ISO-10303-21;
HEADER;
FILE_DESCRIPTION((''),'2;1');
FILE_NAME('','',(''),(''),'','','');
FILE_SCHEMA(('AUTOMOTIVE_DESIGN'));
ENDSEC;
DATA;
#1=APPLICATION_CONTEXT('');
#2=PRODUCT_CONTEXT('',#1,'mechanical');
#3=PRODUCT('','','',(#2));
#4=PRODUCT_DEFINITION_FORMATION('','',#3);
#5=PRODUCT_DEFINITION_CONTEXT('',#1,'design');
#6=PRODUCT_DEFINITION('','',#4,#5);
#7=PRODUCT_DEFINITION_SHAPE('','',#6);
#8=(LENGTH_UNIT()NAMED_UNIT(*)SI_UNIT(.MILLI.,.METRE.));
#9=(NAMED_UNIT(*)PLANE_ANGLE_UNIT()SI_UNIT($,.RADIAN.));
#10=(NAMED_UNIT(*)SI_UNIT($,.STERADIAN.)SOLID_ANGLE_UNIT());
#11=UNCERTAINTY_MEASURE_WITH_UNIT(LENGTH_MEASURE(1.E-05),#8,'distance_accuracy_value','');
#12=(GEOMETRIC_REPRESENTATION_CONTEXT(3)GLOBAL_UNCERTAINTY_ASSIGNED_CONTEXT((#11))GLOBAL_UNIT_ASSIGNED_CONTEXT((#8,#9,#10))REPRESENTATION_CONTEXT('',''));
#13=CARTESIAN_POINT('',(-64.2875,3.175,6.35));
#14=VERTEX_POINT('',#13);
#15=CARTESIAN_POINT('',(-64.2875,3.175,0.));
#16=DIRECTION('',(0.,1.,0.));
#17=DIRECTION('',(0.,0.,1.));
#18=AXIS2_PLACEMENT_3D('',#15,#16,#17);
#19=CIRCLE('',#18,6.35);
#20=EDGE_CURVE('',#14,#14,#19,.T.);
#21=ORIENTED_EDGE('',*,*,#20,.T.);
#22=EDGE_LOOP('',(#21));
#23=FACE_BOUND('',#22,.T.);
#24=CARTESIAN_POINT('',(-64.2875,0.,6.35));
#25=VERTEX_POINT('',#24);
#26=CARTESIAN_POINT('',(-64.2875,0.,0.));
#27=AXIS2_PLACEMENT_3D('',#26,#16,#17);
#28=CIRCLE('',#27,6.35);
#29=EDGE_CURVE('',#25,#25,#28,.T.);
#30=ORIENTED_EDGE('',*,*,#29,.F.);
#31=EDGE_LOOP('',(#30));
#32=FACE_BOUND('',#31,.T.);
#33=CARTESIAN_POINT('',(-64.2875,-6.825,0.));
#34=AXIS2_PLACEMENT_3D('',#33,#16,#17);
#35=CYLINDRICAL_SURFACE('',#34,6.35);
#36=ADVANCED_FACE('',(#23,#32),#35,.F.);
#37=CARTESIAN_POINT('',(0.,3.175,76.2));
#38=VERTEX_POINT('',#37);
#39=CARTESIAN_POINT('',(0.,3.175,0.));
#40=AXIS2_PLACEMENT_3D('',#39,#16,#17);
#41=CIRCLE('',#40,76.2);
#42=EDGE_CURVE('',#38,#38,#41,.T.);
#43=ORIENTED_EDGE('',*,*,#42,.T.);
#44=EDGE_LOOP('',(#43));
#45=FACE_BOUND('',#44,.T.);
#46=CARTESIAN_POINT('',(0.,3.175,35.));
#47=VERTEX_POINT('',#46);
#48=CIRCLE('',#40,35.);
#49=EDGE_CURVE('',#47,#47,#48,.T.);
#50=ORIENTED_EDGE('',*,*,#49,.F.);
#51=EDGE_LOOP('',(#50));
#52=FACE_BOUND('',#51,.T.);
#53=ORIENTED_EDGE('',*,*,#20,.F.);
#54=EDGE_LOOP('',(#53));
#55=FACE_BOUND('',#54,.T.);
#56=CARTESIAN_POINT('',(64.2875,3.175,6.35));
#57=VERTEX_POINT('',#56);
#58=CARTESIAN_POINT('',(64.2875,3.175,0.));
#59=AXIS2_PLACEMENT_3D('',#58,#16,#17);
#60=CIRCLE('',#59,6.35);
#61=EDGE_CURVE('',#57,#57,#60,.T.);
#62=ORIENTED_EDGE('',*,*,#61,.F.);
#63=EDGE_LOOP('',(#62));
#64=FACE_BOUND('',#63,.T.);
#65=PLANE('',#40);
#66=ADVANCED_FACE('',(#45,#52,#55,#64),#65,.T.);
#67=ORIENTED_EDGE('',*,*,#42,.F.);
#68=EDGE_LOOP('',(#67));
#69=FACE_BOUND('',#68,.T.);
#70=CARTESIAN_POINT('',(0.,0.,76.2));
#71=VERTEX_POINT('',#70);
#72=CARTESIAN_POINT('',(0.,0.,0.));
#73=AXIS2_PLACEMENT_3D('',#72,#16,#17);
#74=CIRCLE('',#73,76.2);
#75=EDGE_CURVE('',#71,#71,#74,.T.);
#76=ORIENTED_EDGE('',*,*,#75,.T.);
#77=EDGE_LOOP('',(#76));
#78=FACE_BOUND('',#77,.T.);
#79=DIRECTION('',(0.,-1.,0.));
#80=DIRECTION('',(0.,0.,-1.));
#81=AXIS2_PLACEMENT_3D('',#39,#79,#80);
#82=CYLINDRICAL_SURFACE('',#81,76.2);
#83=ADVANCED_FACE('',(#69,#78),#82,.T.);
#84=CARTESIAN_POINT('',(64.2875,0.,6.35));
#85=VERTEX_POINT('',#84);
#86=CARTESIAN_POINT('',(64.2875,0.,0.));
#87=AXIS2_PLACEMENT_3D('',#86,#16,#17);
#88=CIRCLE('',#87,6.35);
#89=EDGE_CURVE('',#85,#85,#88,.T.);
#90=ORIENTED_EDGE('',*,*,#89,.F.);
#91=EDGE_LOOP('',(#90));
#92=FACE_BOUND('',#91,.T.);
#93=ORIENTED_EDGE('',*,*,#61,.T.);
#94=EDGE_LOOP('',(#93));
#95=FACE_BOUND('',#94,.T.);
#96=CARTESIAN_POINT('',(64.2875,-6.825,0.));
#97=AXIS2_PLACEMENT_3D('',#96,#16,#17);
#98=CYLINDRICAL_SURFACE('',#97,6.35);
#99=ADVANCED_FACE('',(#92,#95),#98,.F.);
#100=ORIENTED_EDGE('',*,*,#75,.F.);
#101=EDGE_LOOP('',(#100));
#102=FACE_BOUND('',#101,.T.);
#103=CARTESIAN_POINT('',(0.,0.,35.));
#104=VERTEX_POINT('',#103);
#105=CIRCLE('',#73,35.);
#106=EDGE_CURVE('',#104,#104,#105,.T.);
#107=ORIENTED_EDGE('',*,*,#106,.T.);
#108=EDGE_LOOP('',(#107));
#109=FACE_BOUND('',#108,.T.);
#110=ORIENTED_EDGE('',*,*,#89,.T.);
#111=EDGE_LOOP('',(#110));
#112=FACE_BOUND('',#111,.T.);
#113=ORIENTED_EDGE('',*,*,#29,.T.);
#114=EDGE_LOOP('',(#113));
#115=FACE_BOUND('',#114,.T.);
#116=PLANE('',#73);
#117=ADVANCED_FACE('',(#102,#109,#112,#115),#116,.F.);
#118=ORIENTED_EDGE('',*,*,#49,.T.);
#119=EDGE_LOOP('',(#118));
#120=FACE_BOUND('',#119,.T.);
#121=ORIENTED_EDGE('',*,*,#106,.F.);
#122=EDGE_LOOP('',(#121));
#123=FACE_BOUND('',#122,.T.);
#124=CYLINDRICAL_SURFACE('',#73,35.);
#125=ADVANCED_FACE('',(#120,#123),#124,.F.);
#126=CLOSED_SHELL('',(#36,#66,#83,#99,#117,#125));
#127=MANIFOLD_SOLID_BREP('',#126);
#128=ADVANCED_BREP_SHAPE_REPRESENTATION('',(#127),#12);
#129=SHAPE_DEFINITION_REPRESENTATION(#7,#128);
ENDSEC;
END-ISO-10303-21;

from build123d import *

# Parameters (mm, degrees)
SKETCH1_R           = 76.2
BOSS_EXTRUDE1_DEPTH = 3.175
SKETCH2_R           = 35
CUT_EXTRUDE1_DEPTH  = 3.175
SKETCH3_R           = 6.35
CUT_EXTRUDE2_DEPTH  = 10


with BuildPart() as part:
    # Sketch1 → Boss-Extrude1 (new body)
    with BuildSketch(Plane(origin=(0, 0, 0), x_dir=(1, 0, 0), z_dir=(0, 1, 0))):
        with Locations(Location((0, 0, 0), (0, 0, 270))):
            Circle(SKETCH1_R)
    extrude(amount=BOSS_EXTRUDE1_DEPTH)

    # Sketch2 → Cut-Extrude1 (cut)
    with BuildSketch(Plane(origin=(0, 3.175, 0), x_dir=(1, 0, 0), z_dir=(0, 1, 0))):
        with Locations(Location((0, 0, 0), (0, 0, 270))):
            Circle(SKETCH2_R)
    extrude(amount=-CUT_EXTRUDE1_DEPTH, mode=Mode.SUBTRACT)

    # Sketch3 → Cut-Extrude2 (cut)
    with BuildSketch(Plane(origin=(0, 3.175, 0), x_dir=(1, 0, 0), z_dir=(0, 1, 0))):
        with Locations(Location((-64.2875, 0, 0), (0, 0, 270))):
            Circle(SKETCH3_R)
        with Locations(Location((64.2875, 0, 0), (0, 0, 270))):
            Circle(SKETCH3_R)
    extrude(amount=-CUT_EXTRUDE2_DEPTH, mode=Mode.SUBTRACT)


solid = part.part
